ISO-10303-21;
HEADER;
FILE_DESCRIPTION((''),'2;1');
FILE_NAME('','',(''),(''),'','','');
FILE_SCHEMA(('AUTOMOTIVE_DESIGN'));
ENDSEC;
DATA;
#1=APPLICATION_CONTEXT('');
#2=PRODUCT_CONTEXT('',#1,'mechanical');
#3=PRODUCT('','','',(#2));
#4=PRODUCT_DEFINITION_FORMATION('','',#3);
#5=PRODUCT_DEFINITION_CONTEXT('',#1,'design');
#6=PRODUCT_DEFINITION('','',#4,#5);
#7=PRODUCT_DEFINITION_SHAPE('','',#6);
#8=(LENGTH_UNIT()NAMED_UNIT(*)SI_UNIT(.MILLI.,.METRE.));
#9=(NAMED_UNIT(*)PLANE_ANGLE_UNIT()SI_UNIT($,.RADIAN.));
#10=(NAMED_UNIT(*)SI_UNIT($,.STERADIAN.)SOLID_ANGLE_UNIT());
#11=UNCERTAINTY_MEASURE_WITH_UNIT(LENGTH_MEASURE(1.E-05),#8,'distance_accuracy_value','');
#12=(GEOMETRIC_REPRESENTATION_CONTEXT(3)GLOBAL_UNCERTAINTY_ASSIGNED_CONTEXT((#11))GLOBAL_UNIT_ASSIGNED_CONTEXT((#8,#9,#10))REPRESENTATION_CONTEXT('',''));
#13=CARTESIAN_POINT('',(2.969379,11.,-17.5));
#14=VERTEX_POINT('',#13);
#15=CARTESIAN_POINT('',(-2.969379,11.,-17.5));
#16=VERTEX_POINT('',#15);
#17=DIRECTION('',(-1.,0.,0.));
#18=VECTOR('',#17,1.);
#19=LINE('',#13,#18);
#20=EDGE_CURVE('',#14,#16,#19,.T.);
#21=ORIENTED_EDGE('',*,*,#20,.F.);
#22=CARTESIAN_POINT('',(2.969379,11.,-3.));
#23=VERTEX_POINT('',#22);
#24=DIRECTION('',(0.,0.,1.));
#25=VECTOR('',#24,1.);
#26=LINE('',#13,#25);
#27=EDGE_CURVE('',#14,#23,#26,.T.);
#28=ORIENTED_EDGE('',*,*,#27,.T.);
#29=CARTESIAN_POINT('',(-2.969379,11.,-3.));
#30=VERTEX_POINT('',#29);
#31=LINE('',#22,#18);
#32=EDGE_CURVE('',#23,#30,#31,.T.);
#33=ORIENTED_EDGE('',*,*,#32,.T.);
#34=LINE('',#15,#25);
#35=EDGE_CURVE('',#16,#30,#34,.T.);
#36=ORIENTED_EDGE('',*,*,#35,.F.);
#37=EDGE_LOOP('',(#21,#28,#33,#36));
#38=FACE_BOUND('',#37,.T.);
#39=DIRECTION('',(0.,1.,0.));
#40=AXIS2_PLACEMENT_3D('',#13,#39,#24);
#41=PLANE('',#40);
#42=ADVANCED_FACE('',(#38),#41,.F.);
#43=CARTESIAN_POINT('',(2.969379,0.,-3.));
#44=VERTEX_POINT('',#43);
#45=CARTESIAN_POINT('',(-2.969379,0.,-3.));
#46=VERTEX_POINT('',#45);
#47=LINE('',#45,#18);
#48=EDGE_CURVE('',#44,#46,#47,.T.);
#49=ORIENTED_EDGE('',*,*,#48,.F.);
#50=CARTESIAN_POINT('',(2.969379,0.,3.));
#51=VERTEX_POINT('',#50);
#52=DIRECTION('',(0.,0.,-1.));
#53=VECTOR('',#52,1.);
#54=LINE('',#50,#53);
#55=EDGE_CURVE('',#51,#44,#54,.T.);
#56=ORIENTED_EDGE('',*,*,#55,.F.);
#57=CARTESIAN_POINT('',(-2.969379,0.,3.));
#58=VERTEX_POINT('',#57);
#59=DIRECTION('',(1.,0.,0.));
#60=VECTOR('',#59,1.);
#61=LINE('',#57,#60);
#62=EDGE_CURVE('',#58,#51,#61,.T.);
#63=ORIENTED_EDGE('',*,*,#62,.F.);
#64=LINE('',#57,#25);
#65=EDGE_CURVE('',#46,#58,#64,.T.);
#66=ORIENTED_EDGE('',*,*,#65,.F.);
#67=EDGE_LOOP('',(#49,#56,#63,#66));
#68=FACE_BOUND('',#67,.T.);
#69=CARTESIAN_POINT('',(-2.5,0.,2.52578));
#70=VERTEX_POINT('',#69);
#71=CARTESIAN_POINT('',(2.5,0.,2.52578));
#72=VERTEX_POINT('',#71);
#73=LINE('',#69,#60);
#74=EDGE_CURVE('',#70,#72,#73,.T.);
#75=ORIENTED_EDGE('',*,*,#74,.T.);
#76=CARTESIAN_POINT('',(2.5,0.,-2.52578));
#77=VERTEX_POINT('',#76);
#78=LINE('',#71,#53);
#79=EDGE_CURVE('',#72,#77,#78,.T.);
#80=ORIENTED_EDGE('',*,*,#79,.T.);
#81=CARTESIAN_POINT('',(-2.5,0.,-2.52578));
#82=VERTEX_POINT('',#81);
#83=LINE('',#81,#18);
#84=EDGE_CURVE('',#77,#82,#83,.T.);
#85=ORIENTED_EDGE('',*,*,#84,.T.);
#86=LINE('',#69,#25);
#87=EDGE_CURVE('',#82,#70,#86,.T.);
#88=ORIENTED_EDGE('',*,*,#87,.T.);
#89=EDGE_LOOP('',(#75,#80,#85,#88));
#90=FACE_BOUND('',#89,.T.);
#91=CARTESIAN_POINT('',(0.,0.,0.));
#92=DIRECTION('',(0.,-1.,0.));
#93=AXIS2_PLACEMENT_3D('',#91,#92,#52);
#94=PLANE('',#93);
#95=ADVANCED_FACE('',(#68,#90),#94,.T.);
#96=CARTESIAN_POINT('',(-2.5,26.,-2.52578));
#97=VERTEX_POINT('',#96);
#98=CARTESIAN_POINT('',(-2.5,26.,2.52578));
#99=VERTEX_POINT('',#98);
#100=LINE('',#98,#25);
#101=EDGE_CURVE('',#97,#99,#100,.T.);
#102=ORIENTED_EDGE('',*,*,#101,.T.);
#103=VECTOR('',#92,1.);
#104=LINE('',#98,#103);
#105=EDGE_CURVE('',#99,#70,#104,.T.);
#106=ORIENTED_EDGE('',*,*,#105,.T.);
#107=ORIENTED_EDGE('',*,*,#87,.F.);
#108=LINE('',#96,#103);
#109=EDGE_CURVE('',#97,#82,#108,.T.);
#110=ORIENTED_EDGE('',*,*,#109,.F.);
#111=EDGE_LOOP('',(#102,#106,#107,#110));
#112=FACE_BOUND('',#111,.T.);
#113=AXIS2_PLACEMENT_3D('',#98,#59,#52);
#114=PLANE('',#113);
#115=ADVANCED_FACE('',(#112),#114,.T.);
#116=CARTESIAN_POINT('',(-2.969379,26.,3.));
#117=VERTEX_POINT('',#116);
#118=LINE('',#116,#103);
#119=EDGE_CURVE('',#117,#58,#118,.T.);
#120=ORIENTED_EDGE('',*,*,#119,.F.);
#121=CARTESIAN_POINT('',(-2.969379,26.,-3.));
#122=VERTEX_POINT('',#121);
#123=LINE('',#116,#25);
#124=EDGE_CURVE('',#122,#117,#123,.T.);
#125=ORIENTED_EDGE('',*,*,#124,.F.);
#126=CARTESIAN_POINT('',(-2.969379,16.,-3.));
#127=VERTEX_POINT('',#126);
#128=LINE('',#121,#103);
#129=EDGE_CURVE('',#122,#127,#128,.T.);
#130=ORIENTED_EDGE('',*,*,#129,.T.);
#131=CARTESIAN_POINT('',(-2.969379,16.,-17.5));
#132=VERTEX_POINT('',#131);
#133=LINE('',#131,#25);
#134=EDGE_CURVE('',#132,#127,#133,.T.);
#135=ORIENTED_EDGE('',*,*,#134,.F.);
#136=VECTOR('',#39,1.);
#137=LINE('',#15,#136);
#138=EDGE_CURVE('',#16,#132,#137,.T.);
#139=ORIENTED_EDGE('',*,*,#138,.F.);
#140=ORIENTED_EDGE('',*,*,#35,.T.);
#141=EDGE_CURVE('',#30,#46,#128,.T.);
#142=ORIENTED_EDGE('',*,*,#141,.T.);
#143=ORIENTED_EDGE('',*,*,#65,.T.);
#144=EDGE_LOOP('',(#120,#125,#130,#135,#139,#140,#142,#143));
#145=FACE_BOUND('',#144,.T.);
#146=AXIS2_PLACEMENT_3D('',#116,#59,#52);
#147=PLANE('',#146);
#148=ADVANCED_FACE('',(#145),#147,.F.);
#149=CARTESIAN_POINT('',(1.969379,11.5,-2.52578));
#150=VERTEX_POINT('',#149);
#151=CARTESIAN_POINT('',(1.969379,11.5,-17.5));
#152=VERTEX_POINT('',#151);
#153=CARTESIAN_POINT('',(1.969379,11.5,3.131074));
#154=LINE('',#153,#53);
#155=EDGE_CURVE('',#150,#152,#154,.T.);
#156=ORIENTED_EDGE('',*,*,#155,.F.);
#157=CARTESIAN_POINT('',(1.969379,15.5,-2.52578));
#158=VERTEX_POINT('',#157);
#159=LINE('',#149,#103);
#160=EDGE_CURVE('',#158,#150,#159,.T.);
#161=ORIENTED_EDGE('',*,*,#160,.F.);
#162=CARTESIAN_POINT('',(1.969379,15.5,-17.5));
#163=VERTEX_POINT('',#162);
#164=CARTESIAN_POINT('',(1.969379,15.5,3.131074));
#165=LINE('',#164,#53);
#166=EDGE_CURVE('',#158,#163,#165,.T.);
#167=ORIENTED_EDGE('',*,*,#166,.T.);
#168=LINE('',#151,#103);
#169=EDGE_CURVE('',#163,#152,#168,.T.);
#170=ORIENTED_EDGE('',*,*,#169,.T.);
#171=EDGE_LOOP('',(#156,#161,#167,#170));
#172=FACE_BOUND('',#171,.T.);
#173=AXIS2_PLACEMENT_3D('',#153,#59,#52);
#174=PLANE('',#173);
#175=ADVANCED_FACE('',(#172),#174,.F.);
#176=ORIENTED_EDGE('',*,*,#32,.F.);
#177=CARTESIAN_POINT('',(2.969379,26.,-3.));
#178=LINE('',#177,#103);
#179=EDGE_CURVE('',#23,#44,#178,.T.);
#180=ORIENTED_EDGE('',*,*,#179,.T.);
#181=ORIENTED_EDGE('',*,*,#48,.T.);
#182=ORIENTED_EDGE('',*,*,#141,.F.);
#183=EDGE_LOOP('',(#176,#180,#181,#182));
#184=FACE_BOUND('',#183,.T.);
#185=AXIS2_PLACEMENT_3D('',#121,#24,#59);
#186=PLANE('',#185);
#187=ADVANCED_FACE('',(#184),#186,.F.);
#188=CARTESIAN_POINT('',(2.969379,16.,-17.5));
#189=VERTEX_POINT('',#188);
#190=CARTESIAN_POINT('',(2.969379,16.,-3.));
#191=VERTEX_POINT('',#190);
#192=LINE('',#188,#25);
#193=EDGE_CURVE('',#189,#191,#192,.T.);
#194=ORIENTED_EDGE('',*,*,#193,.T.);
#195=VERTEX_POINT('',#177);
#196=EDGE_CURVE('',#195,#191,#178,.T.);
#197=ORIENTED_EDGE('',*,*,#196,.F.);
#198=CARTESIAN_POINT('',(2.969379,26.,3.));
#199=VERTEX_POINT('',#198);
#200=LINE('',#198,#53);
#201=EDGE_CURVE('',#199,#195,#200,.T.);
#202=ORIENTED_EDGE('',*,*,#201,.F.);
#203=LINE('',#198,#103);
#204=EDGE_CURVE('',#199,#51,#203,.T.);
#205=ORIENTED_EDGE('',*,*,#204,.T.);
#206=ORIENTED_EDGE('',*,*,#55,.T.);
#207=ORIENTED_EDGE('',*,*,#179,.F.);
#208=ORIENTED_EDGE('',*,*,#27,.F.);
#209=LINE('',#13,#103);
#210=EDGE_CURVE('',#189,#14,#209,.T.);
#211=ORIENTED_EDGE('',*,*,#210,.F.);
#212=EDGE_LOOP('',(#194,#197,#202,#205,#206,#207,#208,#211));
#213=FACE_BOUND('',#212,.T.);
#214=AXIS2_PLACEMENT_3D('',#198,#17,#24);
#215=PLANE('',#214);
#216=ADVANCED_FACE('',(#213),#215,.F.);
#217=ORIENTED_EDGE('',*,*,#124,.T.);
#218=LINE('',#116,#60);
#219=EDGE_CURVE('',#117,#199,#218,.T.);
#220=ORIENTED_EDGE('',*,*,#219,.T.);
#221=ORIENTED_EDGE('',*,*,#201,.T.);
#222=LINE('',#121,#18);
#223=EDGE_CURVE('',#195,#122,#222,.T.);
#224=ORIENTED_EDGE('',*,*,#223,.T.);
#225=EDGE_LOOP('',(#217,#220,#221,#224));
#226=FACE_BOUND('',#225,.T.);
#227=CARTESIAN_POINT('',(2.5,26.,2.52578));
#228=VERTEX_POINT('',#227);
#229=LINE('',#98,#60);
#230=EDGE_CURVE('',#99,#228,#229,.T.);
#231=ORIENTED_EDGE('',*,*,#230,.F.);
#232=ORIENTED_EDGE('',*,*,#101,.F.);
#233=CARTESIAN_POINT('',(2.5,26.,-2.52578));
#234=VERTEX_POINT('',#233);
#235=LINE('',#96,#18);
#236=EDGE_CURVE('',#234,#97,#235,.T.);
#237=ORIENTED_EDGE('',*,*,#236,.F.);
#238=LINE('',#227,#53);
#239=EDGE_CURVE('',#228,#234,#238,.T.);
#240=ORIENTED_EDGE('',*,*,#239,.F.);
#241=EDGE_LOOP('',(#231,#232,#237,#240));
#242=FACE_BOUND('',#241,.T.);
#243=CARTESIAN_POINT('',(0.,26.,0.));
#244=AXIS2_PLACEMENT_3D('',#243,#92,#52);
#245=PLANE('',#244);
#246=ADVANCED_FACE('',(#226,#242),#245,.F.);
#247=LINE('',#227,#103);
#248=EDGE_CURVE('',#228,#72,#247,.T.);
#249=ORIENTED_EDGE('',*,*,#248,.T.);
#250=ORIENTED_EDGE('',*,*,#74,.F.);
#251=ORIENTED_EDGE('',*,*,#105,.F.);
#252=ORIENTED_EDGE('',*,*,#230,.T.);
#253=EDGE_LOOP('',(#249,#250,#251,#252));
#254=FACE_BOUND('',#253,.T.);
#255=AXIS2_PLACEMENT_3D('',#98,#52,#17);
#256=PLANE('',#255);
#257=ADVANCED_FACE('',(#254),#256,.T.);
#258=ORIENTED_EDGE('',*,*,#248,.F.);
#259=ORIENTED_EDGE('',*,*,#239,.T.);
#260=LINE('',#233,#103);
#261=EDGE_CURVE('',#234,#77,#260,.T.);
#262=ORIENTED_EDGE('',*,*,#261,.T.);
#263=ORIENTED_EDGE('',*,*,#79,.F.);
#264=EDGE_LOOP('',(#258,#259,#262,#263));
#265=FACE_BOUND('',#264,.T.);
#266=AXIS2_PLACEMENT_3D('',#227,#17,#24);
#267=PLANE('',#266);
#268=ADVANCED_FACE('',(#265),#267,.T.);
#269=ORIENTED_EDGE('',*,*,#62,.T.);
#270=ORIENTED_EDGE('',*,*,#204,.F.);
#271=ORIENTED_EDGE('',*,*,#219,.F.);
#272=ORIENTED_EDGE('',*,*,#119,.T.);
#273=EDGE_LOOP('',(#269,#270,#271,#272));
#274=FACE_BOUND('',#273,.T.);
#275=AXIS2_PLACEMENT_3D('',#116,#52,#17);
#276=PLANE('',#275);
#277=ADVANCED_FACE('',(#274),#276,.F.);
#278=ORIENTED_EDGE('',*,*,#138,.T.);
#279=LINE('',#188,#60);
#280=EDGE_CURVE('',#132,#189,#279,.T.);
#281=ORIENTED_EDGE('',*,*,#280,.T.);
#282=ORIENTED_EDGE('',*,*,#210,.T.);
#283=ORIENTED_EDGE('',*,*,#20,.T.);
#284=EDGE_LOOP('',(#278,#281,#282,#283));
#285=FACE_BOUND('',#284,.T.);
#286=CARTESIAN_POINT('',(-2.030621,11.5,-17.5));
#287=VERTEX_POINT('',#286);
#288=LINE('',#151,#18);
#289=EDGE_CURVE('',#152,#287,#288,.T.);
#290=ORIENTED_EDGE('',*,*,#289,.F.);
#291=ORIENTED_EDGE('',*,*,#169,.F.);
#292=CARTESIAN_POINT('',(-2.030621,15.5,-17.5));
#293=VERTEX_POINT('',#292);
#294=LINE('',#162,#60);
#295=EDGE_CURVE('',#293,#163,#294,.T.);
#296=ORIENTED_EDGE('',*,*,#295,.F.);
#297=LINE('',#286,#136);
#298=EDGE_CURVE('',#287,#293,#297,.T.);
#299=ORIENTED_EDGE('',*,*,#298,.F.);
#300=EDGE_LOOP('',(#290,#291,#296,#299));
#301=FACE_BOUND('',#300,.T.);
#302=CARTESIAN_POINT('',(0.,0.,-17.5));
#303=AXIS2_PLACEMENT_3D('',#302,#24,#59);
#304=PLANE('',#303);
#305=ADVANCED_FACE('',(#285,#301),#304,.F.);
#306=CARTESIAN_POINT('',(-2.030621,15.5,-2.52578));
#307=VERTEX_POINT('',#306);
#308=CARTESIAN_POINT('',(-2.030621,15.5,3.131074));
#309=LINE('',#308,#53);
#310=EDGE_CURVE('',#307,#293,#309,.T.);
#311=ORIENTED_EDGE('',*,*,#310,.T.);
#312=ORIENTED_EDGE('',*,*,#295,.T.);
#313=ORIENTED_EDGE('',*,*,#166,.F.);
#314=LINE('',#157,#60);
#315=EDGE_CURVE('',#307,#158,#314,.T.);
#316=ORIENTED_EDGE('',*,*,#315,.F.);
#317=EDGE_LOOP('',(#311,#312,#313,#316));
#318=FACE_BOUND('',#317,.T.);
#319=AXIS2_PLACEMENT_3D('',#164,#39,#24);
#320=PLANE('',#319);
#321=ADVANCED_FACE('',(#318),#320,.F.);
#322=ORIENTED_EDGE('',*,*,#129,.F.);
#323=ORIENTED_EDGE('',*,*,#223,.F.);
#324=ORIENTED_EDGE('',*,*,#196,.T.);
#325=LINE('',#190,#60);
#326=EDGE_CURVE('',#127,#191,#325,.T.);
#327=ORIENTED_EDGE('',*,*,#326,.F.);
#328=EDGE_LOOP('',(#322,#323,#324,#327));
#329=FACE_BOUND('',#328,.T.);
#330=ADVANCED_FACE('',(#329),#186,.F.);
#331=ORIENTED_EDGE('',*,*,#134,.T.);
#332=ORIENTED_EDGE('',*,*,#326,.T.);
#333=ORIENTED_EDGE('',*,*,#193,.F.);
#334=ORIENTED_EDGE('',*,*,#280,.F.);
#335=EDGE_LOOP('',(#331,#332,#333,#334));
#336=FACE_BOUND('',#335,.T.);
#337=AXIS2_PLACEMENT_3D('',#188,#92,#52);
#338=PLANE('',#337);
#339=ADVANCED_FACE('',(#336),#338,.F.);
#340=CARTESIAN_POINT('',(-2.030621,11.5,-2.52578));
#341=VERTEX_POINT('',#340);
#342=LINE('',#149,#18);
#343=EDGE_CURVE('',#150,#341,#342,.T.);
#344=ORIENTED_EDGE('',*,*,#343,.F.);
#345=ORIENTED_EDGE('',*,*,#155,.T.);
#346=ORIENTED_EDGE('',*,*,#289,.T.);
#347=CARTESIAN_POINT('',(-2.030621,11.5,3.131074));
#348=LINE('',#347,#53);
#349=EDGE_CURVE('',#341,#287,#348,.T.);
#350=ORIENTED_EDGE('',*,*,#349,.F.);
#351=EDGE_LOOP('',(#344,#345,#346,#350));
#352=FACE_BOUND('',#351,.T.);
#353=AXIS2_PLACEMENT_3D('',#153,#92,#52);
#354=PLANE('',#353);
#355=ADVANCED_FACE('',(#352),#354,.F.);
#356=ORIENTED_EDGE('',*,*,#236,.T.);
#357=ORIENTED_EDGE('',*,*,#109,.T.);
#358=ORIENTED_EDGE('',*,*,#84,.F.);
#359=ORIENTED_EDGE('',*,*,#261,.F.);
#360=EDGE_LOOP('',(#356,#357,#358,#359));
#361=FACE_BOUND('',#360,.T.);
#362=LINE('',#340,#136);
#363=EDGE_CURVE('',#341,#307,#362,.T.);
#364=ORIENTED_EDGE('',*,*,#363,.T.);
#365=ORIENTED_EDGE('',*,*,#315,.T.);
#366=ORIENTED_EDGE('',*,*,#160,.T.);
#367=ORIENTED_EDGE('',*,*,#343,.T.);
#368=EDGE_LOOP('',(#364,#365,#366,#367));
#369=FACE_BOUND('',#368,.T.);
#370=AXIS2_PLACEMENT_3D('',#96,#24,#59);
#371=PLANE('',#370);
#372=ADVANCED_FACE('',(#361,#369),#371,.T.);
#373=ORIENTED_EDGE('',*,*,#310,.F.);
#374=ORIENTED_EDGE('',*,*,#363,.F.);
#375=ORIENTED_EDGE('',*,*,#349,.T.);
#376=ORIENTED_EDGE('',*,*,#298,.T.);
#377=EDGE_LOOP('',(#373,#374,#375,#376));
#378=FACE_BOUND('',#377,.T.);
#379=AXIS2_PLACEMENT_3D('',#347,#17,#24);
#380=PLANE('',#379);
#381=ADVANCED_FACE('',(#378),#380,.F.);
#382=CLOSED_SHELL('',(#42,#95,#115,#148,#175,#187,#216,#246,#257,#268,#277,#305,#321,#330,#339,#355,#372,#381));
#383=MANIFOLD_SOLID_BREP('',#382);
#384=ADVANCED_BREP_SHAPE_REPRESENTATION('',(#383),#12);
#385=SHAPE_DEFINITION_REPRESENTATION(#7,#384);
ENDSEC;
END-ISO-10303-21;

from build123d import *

# Parameters (mm, degrees)
SKETCH1_W           = 5.93875838
SKETCH1_H           = 6
SKETCH1_W_2         = 5
SKETCH1_H_2         = 5.051560964
BOSS_EXTRUDE1_DEPTH = 26
SKETCH4_W           = 5.93875838
SKETCH4_H           = 5
BOSS_EXTRUDE2_DEPTH = 14.5
SKETCH5_W           = 4
SKETCH5_H           = 4
CUT_EXTRUDE1_DEPTH  = 14.974219518


with BuildPart() as part:
    # Sketch1 → Boss-Extrude1 (new body)
    with BuildSketch(Plane(origin=(0, 0, 0), x_dir=(1, 0, 0), z_dir=(0, 1, 0))):
        Rectangle(SKETCH1_W, SKETCH1_H)
        Rectangle(SKETCH1_W_2, SKETCH1_H_2, mode=Mode.SUBTRACT)
    extrude(amount=BOSS_EXTRUDE1_DEPTH)

    # Sketch4 → Boss-Extrude2 (add)
    with BuildSketch(Plane(origin=(0, 0, -3), x_dir=(-1, 0, 0), z_dir=(0, 0, -1))):
        with Locations((0, 13.5)):
            Rectangle(SKETCH4_W, SKETCH4_H)
    extrude(amount=BOSS_EXTRUDE2_DEPTH)

    # Sketch5 → Cut-Extrude1 (cut)
    with BuildSketch(Plane(origin=(0, 0, -17.5), x_dir=(-1, 0, 0), z_dir=(0, 0, -1))):
        with Locations((0.03062081, 13.5)):
            Rectangle(SKETCH5_W, SKETCH5_H)
    extrude(amount=-CUT_EXTRUDE1_DEPTH, mode=Mode.SUBTRACT)


solid = part.part
